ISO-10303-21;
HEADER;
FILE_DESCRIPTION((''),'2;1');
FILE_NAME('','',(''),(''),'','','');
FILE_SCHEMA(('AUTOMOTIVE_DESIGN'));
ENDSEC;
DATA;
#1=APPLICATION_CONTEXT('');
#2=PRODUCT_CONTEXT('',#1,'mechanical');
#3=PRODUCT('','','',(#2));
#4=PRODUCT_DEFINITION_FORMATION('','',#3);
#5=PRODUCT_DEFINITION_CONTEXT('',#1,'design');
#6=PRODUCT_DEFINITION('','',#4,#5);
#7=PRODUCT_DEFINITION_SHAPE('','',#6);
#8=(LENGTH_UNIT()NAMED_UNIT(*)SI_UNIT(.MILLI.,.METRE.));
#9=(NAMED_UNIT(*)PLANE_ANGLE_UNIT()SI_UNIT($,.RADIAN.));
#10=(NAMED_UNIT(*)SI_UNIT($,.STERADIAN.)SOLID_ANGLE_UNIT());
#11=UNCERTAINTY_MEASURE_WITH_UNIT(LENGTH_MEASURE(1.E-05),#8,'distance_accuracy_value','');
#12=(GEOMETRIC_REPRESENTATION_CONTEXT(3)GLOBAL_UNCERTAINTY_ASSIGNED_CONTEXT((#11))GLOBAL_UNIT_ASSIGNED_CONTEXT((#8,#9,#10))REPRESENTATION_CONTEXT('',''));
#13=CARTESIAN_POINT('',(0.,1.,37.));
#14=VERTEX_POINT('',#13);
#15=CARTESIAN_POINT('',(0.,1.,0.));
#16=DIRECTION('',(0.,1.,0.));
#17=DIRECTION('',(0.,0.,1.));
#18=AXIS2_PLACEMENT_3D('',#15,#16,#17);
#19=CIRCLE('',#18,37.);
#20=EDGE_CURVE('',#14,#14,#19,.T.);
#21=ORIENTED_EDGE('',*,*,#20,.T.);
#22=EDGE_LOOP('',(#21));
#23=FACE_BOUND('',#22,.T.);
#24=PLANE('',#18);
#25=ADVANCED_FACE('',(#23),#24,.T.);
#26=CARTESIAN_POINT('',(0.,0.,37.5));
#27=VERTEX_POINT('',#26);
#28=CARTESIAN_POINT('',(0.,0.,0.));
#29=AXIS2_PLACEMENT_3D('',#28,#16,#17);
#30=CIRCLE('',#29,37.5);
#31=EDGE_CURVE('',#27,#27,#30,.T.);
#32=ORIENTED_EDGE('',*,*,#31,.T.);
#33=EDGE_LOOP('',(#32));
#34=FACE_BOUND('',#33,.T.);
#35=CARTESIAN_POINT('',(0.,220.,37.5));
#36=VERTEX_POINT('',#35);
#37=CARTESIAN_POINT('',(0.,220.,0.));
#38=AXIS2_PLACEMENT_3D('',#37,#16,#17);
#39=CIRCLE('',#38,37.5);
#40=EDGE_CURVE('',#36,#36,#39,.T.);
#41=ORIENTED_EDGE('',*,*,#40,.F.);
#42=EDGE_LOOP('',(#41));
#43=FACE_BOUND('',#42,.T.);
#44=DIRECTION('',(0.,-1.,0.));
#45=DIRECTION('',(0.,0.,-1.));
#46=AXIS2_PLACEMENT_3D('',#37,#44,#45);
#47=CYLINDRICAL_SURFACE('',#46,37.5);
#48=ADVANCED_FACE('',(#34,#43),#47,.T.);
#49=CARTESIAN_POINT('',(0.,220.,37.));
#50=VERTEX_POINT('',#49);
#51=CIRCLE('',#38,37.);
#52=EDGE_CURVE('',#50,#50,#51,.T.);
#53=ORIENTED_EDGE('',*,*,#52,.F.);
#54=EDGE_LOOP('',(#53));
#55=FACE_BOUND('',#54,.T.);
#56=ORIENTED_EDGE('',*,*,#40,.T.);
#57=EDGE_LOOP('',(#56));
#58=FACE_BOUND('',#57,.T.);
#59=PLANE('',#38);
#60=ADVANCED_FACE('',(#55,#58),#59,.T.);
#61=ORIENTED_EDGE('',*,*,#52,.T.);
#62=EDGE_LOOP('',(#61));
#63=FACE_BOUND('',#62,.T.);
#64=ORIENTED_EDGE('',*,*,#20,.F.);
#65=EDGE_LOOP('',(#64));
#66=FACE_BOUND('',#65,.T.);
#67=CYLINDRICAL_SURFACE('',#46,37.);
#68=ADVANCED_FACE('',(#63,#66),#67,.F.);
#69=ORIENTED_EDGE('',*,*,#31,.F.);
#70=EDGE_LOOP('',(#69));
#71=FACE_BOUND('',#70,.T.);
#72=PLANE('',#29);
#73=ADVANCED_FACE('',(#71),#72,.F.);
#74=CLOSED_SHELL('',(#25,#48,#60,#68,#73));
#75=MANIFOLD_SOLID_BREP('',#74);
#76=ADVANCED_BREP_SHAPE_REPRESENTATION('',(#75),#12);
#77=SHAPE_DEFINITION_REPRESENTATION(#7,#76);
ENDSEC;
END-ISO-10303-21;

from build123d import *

# Parameters (mm, degrees)
SKETCH1_R           = 37.5
SKETCH1_R_2         = 37
BOSS_EXTRUDE1_DEPTH = 220
SKETCH2_R           = 37.5
BOSS_EXTRUDE2_DEPTH = 1


with BuildPart() as part:
    # Sketch1 → Boss-Extrude1 (new body)
    with BuildSketch(Plane(origin=(0, 0, 0), x_dir=(1, 0, 0), z_dir=(0, 1, 0))):
        with Locations(Location((0, 0, 0), (0, 0, 270))):
            Circle(SKETCH1_R)
        with Locations(Location((0, 0, 0), (0, 0, 270))):
            Circle(SKETCH1_R_2, mode=Mode.SUBTRACT)
    extrude(amount=BOSS_EXTRUDE1_DEPTH)

    # Sketch2 → Boss-Extrude2 (add)
    with BuildSketch(Plane(origin=(0, 0, 0), x_dir=(1, 0, 0), z_dir=(0, 1, 0))):
        with Locations(Location((0, 0, 0), (0, 0, 270))):
            Circle(SKETCH2_R)
    extrude(amount=BOSS_EXTRUDE2_DEPTH)


solid = part.part
